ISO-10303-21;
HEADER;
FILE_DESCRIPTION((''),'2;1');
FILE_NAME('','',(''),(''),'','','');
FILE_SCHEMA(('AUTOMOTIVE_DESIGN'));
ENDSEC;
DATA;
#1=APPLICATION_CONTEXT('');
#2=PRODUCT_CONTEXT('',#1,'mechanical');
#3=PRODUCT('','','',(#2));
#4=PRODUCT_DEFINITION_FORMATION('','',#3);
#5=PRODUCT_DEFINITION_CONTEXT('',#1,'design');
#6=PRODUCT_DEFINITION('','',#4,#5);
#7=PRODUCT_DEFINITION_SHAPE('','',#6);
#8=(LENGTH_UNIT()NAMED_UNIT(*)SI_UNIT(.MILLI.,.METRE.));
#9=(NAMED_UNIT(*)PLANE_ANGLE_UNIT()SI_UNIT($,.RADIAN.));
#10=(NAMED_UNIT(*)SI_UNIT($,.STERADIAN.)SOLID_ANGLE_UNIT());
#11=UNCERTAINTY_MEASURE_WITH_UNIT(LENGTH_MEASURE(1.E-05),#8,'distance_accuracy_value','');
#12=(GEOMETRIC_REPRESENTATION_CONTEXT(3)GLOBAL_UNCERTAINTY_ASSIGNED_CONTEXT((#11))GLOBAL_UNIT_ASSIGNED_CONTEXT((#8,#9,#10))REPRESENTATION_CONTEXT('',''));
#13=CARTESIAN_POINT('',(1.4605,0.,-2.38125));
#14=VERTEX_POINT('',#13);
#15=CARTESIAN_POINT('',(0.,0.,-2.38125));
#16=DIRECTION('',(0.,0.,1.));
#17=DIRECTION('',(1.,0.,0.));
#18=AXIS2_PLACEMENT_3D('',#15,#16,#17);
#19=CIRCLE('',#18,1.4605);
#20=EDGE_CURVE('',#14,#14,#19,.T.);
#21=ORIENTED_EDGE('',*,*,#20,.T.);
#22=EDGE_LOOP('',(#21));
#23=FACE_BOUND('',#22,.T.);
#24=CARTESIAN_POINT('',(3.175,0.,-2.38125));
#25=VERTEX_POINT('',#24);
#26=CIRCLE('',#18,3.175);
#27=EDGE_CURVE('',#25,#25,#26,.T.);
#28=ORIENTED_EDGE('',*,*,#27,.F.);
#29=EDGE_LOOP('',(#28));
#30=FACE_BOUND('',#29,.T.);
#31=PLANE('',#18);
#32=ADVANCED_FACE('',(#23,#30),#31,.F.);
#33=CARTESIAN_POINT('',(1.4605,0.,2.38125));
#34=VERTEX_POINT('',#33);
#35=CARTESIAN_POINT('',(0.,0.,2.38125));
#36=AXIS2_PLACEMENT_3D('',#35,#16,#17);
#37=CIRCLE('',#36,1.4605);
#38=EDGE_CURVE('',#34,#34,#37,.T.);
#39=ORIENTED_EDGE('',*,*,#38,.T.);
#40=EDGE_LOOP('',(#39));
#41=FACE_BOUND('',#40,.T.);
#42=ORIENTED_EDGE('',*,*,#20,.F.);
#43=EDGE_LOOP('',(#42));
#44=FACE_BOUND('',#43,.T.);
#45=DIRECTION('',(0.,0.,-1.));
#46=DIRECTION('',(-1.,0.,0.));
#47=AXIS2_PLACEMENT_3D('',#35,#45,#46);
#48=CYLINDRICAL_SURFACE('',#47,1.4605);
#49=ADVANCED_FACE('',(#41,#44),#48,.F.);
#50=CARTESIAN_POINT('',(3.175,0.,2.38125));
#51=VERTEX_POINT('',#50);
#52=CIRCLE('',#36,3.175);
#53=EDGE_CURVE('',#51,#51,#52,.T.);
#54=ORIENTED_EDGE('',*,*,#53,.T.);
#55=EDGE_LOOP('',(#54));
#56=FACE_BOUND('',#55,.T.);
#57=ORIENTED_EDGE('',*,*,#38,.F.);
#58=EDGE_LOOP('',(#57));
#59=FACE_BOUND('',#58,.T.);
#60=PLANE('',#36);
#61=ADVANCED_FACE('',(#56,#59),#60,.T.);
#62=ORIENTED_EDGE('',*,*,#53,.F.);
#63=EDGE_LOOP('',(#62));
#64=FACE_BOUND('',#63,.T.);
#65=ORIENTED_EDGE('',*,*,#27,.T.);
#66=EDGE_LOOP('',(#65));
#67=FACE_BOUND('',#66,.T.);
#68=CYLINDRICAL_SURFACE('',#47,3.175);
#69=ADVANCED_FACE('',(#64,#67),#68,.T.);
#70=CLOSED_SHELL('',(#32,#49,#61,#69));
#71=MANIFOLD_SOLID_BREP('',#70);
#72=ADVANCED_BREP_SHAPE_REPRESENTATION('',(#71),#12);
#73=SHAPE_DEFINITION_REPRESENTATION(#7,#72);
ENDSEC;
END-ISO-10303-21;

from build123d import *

# Parameters (mm, degrees)
SKETCH1_R      = 3.175
SKETCH1_R_2    = 1.4605
EXTRUDE1_DEPTH = 2.38125


with BuildPart() as part:
    # Sketch1 → Extrude1 (new body, symmetric)
    with BuildSketch(Plane.XY):
        Circle(SKETCH1_R)
        Circle(SKETCH1_R_2, mode=Mode.SUBTRACT)
    extrude(amount=EXTRUDE1_DEPTH, both=True)


solid = part.part
